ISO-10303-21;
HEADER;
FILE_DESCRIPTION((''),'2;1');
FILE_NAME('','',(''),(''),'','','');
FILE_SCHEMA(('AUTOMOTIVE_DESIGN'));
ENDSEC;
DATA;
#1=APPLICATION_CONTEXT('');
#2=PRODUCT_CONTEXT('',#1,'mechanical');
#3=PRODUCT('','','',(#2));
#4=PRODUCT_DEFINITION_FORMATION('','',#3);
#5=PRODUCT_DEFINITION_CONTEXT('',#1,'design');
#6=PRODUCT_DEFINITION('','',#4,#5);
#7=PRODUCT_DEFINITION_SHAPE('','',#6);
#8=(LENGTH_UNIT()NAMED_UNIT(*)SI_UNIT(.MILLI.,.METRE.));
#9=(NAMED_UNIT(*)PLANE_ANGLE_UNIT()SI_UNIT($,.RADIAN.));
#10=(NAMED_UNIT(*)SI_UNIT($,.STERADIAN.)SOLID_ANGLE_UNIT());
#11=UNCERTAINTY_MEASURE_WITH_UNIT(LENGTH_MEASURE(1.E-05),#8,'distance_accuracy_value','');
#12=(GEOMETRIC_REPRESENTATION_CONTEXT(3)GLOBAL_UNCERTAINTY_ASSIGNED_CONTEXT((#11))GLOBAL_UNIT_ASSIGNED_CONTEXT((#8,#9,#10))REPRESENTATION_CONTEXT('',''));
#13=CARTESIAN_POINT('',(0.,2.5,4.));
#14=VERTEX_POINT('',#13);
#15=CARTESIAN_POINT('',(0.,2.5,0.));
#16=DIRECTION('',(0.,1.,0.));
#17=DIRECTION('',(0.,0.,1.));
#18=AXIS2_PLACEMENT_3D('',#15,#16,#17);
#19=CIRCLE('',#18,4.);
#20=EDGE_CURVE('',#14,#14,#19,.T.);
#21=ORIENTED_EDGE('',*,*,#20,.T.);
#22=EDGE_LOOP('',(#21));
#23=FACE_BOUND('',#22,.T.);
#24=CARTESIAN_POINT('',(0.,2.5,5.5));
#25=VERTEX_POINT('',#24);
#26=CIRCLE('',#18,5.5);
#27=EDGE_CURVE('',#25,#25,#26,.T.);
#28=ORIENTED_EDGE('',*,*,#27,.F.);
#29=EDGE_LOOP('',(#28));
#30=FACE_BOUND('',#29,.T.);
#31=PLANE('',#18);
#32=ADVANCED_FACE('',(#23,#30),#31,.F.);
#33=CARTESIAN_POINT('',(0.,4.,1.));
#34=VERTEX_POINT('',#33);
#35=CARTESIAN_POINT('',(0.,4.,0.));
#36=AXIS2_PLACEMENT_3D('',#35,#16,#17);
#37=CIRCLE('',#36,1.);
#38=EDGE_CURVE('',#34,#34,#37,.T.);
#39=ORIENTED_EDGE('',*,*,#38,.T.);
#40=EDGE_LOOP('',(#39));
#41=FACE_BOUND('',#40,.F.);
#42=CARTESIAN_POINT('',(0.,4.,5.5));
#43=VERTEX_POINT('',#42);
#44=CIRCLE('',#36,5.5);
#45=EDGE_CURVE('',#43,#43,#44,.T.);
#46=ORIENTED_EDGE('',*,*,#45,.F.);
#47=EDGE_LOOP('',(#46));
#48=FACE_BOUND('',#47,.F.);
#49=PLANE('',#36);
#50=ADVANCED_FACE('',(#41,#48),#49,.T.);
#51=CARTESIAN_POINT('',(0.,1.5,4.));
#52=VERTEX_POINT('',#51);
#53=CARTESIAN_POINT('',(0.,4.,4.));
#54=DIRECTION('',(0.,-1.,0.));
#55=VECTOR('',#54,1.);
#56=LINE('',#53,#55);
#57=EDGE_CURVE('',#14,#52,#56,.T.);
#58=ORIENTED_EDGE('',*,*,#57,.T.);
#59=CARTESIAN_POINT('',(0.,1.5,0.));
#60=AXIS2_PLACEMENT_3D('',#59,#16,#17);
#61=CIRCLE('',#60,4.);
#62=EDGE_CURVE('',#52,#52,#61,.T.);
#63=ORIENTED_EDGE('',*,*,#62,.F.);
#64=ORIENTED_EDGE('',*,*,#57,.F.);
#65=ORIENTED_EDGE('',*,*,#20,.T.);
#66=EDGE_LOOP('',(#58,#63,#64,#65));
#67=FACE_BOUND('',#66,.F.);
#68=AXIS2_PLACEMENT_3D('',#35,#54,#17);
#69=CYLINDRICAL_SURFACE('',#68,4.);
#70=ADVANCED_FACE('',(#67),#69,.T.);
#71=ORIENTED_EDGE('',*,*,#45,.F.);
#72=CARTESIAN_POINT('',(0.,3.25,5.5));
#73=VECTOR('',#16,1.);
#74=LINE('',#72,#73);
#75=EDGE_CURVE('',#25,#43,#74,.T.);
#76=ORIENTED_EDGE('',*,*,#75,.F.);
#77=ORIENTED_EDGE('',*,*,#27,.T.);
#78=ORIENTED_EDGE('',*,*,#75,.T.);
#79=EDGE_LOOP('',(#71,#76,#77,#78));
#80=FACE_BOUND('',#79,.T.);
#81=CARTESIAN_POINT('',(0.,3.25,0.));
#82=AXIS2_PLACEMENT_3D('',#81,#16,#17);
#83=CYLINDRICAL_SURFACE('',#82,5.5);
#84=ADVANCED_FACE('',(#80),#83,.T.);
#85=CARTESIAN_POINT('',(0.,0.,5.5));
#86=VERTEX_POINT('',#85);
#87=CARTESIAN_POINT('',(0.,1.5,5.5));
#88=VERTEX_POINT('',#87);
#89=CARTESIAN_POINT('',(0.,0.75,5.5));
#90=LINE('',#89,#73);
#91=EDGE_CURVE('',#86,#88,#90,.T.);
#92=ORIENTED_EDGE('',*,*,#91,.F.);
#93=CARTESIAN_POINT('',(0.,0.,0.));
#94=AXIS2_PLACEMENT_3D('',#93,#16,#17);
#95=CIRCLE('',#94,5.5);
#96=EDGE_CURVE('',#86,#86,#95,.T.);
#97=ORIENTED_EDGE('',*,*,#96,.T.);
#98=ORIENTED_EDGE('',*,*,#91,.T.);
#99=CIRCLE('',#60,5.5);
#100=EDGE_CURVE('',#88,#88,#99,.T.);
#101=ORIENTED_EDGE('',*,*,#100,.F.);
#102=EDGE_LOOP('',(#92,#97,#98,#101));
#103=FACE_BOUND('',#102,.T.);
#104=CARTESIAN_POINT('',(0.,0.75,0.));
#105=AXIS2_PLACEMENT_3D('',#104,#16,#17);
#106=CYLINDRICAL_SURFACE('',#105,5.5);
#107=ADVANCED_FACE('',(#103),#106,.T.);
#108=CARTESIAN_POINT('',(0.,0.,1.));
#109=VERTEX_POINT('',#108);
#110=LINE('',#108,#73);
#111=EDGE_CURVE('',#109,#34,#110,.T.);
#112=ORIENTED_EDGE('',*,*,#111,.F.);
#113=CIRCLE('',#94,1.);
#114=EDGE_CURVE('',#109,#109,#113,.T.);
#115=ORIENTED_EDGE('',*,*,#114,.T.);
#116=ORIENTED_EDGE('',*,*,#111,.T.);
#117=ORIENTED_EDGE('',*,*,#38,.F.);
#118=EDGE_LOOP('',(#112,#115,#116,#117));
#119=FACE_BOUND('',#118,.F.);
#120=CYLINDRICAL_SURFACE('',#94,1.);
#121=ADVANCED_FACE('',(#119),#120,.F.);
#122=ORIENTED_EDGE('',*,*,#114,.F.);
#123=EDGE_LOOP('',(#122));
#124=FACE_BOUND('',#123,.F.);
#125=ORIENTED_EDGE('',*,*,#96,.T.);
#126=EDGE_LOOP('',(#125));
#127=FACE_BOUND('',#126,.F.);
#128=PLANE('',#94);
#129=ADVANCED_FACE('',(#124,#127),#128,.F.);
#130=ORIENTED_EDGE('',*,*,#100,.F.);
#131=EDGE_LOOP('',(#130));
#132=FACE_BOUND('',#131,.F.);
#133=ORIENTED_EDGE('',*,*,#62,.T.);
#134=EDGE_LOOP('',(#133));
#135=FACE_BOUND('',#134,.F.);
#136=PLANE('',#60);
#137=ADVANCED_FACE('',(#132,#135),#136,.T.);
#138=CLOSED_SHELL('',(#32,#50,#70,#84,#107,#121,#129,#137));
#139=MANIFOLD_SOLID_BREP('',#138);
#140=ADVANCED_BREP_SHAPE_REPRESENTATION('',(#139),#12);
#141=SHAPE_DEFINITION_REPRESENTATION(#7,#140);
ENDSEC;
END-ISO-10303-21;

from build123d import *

# Parameters (mm, degrees)
F0_W   = 1
F0_H   = 3
F0_W_2 = 1.5
F0_H_2 = 1.5


with BuildPart() as f1:
    # F0 (on Right) → F1 (revolve)
    with BuildSketch(Plane.YZ):
        with Locations((2, 2.5)):
            Rectangle(F0_W, F0_H)
        with Locations((3.25, 2.5)):
            Rectangle(F0_W_2, F0_H)
        with Locations((3.25, 4.75)):
            Rectangle(F0_W_2, F0_H_2)
        with Locations((0.75, 4.75)):
            Rectangle(F0_W_2, F0_H_2)
        with Locations((0.75, 2.5)):
            Rectangle(F0_W_2, F0_H)
    revolve(axis=Axis((0, 2, 0), (0, 1, 0)))


solid = f1.part
